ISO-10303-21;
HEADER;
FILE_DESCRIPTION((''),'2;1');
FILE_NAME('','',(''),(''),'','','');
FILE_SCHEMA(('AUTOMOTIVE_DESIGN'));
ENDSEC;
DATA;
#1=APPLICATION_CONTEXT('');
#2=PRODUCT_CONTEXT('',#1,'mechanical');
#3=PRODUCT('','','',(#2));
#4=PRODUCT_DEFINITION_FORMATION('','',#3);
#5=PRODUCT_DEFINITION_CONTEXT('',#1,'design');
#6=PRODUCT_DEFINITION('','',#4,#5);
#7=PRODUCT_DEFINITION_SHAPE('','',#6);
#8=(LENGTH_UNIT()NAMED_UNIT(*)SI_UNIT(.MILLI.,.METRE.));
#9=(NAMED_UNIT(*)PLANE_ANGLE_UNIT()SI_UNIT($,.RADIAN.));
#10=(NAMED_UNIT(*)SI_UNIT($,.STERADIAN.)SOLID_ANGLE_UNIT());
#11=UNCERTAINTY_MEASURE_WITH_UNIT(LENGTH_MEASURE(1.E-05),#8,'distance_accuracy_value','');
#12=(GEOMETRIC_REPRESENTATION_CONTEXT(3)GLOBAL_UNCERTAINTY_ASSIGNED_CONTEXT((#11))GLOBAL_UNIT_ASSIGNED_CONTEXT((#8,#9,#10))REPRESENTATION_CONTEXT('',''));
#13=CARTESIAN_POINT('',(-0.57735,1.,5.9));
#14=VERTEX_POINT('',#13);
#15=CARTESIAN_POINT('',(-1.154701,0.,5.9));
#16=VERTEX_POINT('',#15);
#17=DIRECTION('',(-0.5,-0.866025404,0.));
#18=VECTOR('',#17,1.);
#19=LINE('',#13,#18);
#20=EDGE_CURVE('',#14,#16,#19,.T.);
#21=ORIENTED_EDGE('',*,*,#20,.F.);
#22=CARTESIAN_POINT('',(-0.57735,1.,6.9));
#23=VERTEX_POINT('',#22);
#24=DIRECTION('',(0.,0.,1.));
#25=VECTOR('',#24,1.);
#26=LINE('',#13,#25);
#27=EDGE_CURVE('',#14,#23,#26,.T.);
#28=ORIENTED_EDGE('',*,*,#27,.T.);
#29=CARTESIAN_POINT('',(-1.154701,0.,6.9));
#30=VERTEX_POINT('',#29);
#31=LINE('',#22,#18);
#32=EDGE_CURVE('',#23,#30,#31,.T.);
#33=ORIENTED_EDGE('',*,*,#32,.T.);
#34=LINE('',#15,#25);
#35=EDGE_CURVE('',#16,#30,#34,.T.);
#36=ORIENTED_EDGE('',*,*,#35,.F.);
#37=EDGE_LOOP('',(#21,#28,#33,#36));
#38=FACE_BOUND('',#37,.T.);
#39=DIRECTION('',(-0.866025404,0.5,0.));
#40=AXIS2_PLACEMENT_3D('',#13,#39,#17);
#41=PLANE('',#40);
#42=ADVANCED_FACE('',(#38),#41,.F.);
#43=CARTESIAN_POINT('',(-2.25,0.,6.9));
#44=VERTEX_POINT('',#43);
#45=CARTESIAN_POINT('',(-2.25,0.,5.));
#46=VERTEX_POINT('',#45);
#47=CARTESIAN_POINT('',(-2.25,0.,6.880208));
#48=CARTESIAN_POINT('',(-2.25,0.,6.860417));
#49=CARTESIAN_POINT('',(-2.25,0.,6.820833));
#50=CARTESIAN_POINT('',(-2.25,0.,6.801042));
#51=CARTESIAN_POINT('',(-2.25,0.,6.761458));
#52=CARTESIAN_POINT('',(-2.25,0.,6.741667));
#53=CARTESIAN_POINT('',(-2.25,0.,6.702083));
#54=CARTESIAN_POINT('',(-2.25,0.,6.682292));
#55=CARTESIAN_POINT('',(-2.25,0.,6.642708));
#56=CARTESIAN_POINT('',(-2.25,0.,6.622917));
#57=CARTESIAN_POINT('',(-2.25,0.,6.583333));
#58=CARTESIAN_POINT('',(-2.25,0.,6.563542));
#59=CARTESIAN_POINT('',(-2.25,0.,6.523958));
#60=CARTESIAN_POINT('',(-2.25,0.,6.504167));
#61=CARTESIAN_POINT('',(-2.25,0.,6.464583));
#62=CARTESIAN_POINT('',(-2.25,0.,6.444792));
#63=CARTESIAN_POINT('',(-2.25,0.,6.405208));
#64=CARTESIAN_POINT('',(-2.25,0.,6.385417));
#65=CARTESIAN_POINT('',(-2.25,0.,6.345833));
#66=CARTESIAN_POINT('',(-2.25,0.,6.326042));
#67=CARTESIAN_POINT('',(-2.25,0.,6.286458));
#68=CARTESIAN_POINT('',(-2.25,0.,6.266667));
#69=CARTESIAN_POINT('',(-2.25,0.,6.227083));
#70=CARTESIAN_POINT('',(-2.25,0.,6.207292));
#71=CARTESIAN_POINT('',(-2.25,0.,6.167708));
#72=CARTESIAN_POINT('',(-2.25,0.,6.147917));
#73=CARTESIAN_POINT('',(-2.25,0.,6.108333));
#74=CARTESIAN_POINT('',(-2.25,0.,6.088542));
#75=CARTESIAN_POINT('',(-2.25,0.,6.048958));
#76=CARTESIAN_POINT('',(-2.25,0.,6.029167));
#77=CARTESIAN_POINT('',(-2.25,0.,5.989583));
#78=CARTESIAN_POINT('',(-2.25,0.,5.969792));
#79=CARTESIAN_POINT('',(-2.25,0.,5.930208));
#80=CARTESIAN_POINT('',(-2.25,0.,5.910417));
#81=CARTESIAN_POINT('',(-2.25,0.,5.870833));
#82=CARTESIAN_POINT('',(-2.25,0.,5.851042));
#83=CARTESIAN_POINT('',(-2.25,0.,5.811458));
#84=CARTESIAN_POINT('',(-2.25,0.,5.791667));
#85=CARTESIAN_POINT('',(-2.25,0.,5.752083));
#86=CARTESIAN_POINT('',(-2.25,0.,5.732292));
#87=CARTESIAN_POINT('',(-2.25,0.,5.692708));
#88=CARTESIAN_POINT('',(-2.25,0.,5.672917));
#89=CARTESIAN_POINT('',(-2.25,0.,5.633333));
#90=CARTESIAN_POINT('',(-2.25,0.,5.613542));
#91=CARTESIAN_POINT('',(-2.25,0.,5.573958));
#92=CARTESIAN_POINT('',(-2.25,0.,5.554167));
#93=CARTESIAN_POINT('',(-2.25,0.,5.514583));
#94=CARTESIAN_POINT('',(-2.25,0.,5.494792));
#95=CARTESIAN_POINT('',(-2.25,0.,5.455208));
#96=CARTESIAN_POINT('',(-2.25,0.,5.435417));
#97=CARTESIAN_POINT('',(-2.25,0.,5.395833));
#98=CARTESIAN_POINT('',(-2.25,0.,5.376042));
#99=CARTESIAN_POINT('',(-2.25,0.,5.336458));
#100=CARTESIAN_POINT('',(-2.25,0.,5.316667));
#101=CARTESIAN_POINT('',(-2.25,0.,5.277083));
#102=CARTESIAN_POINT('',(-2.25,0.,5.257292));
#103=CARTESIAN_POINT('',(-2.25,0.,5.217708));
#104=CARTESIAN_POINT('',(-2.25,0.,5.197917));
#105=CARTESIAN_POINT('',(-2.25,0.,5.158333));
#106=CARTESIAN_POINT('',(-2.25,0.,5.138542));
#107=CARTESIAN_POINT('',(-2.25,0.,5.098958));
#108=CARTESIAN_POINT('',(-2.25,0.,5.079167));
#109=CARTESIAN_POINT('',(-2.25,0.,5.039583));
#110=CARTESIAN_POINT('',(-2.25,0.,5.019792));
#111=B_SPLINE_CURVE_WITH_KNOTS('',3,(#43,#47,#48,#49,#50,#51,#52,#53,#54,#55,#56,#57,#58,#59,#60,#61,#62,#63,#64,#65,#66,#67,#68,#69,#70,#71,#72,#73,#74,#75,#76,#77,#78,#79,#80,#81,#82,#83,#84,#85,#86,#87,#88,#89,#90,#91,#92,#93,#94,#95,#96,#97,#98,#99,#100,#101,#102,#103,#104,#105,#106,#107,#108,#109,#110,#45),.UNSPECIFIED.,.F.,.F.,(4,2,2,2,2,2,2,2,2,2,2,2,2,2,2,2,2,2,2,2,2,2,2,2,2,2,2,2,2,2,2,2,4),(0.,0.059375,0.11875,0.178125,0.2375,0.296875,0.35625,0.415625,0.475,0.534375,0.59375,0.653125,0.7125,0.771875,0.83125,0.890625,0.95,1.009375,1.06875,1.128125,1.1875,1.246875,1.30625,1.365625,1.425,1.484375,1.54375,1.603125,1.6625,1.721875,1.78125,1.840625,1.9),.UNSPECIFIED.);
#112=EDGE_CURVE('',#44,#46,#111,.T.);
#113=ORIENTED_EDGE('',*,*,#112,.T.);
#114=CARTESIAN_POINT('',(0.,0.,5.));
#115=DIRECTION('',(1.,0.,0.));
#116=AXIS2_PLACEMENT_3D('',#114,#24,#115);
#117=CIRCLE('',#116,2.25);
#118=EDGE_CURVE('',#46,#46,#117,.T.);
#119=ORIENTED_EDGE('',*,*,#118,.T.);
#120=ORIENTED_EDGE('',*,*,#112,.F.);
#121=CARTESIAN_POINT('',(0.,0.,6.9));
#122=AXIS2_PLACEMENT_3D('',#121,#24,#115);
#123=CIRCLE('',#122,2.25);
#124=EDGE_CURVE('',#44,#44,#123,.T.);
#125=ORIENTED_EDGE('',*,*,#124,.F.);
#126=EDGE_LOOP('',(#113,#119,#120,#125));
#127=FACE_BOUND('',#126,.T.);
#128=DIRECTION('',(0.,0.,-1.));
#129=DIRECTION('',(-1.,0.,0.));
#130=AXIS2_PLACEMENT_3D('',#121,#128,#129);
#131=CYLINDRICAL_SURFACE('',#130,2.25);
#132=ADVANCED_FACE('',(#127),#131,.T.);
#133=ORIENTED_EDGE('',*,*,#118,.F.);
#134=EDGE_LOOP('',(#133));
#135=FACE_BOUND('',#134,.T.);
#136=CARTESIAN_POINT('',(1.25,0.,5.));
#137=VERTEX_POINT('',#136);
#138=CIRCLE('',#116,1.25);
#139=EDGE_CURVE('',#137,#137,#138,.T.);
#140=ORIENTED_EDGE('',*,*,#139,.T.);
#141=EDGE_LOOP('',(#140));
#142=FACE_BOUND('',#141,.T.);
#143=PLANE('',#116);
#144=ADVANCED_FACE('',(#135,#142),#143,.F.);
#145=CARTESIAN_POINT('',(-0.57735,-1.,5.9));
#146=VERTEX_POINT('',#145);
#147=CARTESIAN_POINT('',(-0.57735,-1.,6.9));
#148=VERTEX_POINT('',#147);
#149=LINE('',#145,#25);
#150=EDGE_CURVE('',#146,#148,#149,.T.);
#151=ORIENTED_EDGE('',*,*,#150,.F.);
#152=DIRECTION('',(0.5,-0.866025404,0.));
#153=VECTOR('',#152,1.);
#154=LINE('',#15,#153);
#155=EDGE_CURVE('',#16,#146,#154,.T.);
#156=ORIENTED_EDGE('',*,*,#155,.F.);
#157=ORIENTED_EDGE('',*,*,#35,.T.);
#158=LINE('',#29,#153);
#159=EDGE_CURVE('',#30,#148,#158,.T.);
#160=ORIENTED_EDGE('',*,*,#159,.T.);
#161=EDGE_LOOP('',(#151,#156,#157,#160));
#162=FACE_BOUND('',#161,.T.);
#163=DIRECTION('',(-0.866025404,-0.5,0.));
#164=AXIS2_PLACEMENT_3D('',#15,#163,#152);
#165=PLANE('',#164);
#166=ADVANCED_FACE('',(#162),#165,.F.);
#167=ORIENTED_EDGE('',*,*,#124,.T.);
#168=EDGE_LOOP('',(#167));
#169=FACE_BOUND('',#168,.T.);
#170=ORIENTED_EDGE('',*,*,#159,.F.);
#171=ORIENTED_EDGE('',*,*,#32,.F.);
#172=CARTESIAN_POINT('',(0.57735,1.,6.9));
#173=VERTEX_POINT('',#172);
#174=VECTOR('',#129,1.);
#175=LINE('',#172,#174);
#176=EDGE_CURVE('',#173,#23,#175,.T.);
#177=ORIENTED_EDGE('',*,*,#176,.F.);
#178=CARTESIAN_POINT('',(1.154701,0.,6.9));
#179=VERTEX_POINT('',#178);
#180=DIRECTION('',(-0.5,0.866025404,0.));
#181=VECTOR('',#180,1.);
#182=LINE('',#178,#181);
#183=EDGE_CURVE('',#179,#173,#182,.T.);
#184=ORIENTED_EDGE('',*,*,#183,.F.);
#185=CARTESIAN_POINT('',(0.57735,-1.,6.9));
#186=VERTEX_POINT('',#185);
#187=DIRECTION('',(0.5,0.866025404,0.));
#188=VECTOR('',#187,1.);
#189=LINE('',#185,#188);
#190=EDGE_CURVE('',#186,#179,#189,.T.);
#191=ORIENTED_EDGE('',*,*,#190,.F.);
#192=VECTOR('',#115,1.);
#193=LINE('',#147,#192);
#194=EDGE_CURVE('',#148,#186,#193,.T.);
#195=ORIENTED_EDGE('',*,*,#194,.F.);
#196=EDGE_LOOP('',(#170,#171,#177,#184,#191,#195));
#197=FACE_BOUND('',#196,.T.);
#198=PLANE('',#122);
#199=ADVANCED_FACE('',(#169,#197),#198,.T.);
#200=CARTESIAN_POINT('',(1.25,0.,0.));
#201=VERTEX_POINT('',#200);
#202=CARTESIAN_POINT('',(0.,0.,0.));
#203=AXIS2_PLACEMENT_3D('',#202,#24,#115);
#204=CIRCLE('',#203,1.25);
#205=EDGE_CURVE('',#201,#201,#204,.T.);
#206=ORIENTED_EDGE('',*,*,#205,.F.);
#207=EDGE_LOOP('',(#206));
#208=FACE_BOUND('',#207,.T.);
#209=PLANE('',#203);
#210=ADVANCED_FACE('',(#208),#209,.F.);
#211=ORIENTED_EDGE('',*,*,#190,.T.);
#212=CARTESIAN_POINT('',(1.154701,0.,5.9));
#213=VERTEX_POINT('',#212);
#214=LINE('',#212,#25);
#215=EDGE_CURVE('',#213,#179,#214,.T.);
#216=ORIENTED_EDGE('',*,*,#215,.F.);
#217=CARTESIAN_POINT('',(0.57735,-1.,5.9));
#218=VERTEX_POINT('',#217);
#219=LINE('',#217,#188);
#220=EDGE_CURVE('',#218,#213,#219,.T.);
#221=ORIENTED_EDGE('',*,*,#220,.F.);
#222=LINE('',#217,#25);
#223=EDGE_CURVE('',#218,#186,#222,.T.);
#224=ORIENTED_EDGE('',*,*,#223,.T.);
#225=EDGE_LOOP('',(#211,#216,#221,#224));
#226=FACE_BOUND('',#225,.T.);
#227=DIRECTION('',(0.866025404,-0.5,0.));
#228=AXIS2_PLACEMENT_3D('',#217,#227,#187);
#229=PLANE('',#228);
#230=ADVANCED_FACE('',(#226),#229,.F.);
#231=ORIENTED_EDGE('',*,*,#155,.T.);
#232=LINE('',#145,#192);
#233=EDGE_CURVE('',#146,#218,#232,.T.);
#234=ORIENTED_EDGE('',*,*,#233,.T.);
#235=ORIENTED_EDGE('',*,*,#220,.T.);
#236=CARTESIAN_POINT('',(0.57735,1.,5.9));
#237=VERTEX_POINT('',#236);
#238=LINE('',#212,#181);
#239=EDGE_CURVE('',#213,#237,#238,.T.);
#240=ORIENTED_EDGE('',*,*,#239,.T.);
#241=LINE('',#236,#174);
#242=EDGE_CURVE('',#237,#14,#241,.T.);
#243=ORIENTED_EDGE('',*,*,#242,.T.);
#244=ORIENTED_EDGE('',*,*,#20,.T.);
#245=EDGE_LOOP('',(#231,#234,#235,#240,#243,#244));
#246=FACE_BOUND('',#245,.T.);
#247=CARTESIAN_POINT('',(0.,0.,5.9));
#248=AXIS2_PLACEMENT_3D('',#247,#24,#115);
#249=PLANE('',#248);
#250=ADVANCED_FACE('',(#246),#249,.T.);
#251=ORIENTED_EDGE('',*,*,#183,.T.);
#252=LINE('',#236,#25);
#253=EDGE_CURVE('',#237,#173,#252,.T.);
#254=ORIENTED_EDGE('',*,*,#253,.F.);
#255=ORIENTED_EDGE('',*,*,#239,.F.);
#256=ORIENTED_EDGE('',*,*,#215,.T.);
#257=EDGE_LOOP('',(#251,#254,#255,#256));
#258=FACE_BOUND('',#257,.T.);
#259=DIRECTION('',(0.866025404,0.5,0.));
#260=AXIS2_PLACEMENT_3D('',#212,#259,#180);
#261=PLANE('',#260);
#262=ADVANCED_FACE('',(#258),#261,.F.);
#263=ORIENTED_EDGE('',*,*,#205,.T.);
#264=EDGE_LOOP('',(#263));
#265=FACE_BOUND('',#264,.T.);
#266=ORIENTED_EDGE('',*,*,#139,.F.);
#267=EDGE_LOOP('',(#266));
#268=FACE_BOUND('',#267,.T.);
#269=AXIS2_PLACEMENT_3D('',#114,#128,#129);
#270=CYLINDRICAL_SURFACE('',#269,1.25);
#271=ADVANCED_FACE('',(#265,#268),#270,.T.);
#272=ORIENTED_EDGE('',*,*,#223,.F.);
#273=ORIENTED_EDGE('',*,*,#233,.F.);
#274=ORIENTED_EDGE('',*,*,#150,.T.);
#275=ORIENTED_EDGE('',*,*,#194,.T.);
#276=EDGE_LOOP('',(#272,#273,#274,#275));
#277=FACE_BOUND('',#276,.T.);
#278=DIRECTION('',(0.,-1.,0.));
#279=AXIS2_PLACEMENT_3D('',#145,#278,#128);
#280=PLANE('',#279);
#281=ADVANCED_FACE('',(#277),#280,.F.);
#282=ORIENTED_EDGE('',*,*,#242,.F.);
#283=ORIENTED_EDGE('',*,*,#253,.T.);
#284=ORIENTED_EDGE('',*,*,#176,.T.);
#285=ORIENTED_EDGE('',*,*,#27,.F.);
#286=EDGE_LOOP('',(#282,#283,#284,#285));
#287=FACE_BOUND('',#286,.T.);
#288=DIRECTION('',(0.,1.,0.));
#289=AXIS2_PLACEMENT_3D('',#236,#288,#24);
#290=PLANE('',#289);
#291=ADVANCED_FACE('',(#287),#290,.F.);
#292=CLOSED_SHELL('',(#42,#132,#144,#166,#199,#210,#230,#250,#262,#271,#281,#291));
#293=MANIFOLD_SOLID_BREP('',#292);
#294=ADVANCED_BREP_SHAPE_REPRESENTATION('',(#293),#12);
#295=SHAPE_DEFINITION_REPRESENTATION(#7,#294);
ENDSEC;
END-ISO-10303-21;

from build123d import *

# Parameters (mm, degrees)
ESQUISSE1_R             = 1.25
BOSS_EXTRU_1_DEPTH      = 5
ESQUISSE2_R             = 2.25
BOSS_EXTRU_2_DEPTH      = 1.9
ENL_V_MAT_EXTRU_1_DEPTH = 1


with BuildPart() as part:
    # Esquisse1 → Boss.-Extru.1 (new body)
    with BuildSketch(Plane.XY):
        Circle(ESQUISSE1_R)
    extrude(amount=BOSS_EXTRU_1_DEPTH)

    # Esquisse2 → Boss.-Extru.2 (add)
    with BuildSketch(Plane.XY.offset(5)):
        with Locations(Location((0, 0, 0), (0, 0, 180))):
            Circle(ESQUISSE2_R)
    extrude(amount=BOSS_EXTRU_2_DEPTH)

    # Esquisse3 → Enlèv. mat.-Extru.1 (cut)
    with BuildSketch(Plane.XY.offset(6.9)):
        Polygon((1.154700538, 0), (0.577350269, 1), (-0.577350269, 1), (-1.154700538, 0), (-0.577350269, -1), (0.577350269, -1), align=None)
    extrude(amount=-ENL_V_MAT_EXTRU_1_DEPTH, mode=Mode.SUBTRACT)


solid = part.part
